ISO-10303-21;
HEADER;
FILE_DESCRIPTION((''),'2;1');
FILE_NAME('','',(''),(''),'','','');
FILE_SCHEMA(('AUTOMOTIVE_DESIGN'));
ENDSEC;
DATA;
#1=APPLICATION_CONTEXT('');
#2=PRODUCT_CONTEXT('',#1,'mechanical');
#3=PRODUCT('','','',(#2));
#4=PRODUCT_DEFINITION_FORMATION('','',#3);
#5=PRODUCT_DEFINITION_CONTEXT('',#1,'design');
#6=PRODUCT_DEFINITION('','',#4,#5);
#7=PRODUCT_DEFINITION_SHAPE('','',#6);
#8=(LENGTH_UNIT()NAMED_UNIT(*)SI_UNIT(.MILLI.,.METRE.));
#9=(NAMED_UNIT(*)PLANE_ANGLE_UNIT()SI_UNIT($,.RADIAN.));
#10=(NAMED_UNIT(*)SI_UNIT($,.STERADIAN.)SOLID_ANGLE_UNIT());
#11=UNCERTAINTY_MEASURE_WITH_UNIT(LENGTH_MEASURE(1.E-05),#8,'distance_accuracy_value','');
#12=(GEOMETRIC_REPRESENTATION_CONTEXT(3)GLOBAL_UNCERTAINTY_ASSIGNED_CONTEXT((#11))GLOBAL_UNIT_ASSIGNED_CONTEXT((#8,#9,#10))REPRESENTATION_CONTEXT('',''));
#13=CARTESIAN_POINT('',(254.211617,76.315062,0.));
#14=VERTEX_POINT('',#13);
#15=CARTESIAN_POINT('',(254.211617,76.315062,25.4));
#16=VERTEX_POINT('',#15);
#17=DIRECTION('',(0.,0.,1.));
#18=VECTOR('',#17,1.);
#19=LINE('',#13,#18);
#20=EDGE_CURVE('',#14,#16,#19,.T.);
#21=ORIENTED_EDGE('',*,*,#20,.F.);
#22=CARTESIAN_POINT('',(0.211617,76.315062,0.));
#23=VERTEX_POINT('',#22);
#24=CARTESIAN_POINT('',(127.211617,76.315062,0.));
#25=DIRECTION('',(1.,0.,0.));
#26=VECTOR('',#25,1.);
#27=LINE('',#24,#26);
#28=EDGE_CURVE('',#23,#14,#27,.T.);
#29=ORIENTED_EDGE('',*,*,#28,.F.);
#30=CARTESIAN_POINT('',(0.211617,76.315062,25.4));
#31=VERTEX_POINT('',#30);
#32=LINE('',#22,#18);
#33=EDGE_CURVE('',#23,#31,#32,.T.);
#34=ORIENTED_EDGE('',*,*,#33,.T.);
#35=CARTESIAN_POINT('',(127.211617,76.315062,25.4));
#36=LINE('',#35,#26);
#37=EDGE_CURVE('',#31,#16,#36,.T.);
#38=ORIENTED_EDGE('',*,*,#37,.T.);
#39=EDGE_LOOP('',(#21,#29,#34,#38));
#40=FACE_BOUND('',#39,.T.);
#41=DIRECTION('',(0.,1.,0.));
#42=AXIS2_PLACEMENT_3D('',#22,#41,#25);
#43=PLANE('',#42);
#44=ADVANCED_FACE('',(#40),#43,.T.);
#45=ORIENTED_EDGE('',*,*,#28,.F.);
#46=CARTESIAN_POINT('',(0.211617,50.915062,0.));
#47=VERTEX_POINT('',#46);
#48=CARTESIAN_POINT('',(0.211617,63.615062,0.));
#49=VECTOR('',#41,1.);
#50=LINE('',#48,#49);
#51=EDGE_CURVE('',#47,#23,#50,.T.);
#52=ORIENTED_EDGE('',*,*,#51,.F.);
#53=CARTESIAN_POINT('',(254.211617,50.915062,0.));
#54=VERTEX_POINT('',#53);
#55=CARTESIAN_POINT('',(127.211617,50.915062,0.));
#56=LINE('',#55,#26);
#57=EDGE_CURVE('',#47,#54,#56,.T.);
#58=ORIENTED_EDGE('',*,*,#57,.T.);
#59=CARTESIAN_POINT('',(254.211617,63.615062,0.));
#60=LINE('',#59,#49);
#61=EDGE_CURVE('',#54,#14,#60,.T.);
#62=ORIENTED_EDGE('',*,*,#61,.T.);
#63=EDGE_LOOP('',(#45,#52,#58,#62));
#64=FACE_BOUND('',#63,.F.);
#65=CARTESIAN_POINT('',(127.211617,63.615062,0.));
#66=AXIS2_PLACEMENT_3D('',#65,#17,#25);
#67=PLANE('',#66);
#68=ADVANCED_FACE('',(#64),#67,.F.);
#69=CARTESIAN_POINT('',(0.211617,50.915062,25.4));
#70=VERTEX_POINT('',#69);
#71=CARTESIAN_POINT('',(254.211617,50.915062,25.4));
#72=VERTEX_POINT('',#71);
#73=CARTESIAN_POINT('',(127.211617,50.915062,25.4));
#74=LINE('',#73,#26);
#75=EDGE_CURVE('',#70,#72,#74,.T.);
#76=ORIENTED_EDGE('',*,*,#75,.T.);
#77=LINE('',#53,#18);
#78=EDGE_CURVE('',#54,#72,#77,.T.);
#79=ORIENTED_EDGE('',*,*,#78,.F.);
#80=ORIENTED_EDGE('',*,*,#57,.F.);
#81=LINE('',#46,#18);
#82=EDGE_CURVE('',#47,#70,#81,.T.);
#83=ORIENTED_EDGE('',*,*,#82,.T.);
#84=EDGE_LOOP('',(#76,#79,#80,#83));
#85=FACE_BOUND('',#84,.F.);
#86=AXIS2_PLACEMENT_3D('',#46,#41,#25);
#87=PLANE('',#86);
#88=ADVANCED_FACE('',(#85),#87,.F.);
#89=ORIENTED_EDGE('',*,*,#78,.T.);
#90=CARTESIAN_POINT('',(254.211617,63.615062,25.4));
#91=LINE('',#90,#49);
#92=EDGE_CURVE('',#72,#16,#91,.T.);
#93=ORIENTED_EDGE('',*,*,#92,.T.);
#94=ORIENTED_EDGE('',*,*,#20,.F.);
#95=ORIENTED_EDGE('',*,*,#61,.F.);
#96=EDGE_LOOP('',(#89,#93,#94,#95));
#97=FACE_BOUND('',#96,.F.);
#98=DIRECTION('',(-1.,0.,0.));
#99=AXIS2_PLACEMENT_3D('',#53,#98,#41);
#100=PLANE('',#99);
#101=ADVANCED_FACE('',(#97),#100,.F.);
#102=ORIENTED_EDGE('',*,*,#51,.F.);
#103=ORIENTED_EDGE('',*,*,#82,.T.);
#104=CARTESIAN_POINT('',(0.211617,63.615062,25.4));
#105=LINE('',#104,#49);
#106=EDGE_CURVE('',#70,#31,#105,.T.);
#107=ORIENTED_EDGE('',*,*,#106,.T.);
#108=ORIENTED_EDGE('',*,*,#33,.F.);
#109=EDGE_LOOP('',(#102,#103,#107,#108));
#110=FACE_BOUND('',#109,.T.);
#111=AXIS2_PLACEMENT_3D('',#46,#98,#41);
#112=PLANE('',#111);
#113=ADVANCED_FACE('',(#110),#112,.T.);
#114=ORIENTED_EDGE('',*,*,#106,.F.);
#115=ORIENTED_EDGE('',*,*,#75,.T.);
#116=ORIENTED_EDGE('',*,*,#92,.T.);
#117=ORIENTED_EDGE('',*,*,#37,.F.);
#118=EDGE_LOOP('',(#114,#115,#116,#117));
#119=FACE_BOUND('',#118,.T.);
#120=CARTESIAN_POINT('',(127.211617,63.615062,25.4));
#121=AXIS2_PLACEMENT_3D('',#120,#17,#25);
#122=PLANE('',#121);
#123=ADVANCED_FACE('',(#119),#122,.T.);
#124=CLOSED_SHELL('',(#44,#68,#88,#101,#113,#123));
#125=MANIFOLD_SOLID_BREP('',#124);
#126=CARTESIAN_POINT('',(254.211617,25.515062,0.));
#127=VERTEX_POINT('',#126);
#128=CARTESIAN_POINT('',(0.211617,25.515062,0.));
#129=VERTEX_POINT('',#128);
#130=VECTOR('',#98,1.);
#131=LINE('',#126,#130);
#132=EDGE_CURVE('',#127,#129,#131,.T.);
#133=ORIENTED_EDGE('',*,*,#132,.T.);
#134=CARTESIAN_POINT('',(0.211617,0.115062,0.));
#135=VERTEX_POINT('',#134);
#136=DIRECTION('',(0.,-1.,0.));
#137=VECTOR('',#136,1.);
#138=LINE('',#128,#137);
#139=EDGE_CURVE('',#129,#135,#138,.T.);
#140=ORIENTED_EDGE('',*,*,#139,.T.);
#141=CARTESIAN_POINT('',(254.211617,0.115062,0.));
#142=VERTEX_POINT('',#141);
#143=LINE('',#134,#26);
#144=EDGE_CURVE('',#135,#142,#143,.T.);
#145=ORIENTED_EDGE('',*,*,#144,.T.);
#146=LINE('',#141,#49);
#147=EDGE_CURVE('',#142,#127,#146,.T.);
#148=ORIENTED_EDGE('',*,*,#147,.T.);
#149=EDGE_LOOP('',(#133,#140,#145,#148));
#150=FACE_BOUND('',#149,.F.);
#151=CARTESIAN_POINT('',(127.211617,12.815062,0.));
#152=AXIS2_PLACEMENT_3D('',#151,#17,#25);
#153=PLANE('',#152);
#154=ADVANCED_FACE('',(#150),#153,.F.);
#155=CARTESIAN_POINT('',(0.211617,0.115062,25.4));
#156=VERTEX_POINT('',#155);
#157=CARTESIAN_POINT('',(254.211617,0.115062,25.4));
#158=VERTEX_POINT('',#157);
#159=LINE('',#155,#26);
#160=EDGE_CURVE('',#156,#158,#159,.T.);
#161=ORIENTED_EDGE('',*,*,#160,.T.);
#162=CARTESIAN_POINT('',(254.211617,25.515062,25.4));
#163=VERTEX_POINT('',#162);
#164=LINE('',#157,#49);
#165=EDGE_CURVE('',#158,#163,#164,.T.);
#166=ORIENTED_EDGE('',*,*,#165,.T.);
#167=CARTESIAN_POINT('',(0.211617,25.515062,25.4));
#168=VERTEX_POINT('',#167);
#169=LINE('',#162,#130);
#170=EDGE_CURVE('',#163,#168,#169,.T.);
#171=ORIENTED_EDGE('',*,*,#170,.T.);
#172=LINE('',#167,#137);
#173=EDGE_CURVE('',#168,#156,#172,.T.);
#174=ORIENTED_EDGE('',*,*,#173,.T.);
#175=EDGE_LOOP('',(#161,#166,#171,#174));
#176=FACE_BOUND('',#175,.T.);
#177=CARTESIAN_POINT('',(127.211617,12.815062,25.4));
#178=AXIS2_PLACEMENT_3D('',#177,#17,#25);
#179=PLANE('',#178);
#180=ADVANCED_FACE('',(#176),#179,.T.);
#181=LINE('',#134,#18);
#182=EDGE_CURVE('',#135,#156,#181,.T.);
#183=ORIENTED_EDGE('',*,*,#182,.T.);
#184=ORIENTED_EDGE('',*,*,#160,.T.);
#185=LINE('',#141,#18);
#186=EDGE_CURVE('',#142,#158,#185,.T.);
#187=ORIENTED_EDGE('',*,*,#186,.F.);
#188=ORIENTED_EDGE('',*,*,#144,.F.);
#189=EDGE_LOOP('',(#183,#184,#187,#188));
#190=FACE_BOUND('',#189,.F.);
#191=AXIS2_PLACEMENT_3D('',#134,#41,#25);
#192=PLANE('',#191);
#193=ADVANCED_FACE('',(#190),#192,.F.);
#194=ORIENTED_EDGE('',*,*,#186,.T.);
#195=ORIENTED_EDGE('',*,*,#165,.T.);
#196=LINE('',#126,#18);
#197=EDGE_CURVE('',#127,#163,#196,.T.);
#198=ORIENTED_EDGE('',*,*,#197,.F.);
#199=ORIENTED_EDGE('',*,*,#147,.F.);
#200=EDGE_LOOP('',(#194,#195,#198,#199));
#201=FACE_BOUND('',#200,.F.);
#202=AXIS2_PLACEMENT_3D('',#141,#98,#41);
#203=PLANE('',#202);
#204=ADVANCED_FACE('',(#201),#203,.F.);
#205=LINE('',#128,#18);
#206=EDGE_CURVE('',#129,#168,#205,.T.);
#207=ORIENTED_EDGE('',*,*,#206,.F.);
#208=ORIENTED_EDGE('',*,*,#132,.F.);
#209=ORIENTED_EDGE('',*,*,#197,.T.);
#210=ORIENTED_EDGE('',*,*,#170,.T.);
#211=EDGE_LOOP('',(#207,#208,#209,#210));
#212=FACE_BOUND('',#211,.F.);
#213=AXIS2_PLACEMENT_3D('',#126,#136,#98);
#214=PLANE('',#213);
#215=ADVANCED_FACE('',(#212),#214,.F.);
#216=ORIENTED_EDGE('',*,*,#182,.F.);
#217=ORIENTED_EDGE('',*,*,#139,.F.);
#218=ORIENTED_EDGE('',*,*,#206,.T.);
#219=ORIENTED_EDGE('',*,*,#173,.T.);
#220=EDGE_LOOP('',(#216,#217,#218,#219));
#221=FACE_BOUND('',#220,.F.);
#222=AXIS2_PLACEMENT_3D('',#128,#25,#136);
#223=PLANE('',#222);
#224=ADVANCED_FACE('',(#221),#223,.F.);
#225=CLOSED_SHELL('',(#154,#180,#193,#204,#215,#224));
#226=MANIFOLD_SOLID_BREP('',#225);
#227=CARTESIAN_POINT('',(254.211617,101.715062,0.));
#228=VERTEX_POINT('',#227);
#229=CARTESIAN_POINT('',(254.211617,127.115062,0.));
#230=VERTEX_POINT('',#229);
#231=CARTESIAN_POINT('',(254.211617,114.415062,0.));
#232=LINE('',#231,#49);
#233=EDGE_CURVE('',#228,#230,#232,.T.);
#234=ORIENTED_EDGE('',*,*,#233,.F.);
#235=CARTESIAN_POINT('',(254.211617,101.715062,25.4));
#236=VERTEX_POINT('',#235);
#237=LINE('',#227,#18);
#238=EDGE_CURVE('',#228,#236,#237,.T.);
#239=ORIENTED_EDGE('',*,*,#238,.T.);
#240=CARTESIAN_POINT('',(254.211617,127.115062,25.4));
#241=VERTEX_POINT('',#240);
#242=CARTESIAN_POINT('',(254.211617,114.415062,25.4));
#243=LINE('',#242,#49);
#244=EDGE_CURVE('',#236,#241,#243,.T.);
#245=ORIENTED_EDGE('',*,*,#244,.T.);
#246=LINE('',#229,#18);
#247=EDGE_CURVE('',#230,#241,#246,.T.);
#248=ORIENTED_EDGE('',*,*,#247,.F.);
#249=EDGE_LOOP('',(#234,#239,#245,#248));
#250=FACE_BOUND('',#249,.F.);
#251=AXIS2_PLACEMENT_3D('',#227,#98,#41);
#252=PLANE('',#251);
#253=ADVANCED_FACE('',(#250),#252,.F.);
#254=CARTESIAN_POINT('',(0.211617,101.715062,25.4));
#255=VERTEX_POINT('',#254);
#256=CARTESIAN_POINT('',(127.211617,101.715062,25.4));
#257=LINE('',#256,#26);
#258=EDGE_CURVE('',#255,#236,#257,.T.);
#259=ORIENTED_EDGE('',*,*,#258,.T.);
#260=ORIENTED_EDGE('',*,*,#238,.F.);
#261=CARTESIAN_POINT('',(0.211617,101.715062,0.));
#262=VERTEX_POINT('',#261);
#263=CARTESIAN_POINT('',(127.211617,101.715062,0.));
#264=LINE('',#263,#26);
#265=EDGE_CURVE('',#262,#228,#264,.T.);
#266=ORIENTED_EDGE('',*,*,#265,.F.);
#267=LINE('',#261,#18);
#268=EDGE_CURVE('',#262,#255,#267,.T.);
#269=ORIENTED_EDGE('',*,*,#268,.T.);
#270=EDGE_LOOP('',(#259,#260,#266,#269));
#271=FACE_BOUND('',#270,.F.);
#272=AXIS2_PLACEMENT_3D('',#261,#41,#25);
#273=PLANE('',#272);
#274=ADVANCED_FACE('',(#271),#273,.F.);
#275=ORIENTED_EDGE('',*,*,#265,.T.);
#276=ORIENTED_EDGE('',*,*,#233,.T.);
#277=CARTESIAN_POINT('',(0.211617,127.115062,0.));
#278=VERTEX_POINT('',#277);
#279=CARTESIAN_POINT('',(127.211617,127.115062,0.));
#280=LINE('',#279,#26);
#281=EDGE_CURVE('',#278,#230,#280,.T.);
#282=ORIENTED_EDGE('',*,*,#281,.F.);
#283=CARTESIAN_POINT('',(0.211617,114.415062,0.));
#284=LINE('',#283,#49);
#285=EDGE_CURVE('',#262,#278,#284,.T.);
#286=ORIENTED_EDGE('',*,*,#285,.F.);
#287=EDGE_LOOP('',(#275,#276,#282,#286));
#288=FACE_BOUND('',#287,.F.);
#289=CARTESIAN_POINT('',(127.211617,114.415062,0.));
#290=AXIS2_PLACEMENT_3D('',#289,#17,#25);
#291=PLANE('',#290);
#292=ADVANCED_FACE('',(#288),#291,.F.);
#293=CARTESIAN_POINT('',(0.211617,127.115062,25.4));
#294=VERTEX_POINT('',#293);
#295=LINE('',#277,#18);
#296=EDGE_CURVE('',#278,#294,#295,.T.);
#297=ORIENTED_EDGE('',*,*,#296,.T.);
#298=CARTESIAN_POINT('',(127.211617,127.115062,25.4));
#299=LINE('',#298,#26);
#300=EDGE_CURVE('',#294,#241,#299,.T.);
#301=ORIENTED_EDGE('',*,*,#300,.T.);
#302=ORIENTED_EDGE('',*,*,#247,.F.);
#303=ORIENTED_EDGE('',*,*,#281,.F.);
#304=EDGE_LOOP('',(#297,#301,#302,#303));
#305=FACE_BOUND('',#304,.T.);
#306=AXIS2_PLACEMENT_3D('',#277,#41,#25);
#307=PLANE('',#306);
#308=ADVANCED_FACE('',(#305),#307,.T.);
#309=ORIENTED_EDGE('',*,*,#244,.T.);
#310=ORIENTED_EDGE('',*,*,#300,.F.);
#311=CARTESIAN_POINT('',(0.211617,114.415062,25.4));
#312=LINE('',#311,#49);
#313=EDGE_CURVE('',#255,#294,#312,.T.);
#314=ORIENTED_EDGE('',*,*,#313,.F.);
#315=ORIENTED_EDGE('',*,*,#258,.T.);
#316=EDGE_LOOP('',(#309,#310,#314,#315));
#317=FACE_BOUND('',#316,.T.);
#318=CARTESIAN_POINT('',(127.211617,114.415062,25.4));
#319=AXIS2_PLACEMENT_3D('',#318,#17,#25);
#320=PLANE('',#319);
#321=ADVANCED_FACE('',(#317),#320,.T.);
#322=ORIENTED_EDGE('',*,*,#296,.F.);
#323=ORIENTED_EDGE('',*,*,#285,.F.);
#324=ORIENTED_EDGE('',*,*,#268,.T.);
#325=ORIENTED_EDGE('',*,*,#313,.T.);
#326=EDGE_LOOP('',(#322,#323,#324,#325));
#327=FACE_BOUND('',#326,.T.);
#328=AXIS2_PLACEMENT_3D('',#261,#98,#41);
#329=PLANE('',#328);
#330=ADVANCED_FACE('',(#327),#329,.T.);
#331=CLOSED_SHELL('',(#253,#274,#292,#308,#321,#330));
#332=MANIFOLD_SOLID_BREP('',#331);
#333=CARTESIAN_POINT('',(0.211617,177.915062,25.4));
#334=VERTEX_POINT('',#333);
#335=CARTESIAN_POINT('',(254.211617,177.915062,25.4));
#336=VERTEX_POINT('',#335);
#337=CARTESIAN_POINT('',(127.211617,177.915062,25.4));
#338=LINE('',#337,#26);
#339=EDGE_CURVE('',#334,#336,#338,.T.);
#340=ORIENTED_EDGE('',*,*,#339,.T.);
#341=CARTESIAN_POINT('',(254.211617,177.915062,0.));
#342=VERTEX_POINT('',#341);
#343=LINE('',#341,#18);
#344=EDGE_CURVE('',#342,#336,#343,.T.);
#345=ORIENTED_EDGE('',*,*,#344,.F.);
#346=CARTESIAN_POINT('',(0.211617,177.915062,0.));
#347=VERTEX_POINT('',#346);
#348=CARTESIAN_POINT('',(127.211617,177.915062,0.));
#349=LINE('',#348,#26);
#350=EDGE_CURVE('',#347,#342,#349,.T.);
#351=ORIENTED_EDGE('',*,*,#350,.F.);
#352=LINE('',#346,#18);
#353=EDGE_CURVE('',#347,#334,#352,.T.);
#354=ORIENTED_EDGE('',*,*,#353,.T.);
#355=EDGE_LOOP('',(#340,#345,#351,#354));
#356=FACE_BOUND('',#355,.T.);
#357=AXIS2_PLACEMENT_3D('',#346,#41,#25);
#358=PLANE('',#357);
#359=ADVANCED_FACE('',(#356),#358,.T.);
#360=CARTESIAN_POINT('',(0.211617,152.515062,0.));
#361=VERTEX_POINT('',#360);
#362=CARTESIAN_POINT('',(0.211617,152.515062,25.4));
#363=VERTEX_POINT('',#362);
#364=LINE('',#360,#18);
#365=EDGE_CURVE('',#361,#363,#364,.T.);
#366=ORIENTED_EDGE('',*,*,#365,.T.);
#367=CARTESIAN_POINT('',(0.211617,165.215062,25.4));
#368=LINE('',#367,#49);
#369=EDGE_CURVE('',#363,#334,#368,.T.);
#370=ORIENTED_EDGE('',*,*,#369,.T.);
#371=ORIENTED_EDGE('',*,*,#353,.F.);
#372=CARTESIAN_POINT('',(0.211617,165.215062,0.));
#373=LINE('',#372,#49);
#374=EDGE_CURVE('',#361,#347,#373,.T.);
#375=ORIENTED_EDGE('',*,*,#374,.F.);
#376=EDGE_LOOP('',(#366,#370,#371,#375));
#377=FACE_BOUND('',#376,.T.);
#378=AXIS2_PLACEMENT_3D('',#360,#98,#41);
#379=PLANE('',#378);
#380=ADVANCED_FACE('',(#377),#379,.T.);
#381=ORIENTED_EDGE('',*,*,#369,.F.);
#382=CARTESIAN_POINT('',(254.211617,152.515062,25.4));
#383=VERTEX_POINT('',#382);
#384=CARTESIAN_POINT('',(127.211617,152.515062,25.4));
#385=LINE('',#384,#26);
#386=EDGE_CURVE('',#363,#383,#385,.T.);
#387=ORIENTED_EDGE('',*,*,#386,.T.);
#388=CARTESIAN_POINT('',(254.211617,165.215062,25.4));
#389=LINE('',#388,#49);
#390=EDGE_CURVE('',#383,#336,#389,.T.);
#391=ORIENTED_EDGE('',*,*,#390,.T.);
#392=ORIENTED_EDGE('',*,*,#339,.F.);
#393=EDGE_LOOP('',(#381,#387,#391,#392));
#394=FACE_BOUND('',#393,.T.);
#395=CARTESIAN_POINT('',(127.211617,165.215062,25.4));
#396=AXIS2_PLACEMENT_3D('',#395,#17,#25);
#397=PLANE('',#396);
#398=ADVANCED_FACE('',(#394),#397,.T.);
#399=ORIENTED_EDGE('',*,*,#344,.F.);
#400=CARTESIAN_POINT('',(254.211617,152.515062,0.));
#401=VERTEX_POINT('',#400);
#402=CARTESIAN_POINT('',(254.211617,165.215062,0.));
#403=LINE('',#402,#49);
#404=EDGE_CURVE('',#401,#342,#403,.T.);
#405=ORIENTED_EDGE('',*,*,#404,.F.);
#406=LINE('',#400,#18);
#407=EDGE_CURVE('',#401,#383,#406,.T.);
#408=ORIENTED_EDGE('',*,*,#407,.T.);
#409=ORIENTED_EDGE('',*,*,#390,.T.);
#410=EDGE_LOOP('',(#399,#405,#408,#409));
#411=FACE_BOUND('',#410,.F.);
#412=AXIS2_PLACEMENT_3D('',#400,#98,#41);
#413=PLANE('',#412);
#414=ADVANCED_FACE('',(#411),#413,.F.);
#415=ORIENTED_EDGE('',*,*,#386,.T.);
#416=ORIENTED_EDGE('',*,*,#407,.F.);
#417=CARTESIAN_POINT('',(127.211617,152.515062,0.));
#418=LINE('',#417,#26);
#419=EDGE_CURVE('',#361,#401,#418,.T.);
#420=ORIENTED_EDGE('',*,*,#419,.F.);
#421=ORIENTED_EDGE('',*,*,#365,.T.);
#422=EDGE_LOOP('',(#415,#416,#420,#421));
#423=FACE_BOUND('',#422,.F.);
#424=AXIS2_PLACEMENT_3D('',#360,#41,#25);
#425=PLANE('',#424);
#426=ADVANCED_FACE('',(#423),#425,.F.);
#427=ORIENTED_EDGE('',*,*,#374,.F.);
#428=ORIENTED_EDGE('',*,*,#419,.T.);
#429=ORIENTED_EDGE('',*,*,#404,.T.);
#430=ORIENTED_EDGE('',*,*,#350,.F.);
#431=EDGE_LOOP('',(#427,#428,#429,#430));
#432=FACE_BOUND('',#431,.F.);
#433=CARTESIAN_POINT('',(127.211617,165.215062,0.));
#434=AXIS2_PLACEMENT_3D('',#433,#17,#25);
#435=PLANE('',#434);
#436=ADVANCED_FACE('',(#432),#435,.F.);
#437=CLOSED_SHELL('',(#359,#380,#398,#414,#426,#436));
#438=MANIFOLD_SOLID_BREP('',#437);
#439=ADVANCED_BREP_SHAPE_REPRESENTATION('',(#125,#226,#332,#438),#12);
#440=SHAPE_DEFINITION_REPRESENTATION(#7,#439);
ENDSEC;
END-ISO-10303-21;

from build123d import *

# Parameters (mm, degrees)
F0_W     = 254
F0_H     = 25.4
F1_DEPTH = 25.4


with BuildPart() as f1:
    # F0 (on Top) → F1 (new body)
    with BuildSketch(Plane.XY):
        Polygon((0.211617, 25.515062), (0.211617, 0.115062), (25.611617, 0.115062), (51.011617, 0.115062), (76.411617, 0.115062), (101.811617, 0.115062), (127.211617, 0.115062), (152.611617, 0.115062), (178.011617, 0.115062), (203.411617, 0.115062), (228.811617, 0.115062), (254.211617, 0.115062), (254.211617, 25.515062), align=None)
        with Locations((127.211617, 63.615062)):
            Rectangle(F0_W, F0_H)
        with Locations((127.211617, 114.415062)):
            Rectangle(F0_W, F0_H)
        with Locations((127.211617, 165.215062)):
            Rectangle(F0_W, F0_H)
    extrude(amount=F1_DEPTH)


solid = f1.part
